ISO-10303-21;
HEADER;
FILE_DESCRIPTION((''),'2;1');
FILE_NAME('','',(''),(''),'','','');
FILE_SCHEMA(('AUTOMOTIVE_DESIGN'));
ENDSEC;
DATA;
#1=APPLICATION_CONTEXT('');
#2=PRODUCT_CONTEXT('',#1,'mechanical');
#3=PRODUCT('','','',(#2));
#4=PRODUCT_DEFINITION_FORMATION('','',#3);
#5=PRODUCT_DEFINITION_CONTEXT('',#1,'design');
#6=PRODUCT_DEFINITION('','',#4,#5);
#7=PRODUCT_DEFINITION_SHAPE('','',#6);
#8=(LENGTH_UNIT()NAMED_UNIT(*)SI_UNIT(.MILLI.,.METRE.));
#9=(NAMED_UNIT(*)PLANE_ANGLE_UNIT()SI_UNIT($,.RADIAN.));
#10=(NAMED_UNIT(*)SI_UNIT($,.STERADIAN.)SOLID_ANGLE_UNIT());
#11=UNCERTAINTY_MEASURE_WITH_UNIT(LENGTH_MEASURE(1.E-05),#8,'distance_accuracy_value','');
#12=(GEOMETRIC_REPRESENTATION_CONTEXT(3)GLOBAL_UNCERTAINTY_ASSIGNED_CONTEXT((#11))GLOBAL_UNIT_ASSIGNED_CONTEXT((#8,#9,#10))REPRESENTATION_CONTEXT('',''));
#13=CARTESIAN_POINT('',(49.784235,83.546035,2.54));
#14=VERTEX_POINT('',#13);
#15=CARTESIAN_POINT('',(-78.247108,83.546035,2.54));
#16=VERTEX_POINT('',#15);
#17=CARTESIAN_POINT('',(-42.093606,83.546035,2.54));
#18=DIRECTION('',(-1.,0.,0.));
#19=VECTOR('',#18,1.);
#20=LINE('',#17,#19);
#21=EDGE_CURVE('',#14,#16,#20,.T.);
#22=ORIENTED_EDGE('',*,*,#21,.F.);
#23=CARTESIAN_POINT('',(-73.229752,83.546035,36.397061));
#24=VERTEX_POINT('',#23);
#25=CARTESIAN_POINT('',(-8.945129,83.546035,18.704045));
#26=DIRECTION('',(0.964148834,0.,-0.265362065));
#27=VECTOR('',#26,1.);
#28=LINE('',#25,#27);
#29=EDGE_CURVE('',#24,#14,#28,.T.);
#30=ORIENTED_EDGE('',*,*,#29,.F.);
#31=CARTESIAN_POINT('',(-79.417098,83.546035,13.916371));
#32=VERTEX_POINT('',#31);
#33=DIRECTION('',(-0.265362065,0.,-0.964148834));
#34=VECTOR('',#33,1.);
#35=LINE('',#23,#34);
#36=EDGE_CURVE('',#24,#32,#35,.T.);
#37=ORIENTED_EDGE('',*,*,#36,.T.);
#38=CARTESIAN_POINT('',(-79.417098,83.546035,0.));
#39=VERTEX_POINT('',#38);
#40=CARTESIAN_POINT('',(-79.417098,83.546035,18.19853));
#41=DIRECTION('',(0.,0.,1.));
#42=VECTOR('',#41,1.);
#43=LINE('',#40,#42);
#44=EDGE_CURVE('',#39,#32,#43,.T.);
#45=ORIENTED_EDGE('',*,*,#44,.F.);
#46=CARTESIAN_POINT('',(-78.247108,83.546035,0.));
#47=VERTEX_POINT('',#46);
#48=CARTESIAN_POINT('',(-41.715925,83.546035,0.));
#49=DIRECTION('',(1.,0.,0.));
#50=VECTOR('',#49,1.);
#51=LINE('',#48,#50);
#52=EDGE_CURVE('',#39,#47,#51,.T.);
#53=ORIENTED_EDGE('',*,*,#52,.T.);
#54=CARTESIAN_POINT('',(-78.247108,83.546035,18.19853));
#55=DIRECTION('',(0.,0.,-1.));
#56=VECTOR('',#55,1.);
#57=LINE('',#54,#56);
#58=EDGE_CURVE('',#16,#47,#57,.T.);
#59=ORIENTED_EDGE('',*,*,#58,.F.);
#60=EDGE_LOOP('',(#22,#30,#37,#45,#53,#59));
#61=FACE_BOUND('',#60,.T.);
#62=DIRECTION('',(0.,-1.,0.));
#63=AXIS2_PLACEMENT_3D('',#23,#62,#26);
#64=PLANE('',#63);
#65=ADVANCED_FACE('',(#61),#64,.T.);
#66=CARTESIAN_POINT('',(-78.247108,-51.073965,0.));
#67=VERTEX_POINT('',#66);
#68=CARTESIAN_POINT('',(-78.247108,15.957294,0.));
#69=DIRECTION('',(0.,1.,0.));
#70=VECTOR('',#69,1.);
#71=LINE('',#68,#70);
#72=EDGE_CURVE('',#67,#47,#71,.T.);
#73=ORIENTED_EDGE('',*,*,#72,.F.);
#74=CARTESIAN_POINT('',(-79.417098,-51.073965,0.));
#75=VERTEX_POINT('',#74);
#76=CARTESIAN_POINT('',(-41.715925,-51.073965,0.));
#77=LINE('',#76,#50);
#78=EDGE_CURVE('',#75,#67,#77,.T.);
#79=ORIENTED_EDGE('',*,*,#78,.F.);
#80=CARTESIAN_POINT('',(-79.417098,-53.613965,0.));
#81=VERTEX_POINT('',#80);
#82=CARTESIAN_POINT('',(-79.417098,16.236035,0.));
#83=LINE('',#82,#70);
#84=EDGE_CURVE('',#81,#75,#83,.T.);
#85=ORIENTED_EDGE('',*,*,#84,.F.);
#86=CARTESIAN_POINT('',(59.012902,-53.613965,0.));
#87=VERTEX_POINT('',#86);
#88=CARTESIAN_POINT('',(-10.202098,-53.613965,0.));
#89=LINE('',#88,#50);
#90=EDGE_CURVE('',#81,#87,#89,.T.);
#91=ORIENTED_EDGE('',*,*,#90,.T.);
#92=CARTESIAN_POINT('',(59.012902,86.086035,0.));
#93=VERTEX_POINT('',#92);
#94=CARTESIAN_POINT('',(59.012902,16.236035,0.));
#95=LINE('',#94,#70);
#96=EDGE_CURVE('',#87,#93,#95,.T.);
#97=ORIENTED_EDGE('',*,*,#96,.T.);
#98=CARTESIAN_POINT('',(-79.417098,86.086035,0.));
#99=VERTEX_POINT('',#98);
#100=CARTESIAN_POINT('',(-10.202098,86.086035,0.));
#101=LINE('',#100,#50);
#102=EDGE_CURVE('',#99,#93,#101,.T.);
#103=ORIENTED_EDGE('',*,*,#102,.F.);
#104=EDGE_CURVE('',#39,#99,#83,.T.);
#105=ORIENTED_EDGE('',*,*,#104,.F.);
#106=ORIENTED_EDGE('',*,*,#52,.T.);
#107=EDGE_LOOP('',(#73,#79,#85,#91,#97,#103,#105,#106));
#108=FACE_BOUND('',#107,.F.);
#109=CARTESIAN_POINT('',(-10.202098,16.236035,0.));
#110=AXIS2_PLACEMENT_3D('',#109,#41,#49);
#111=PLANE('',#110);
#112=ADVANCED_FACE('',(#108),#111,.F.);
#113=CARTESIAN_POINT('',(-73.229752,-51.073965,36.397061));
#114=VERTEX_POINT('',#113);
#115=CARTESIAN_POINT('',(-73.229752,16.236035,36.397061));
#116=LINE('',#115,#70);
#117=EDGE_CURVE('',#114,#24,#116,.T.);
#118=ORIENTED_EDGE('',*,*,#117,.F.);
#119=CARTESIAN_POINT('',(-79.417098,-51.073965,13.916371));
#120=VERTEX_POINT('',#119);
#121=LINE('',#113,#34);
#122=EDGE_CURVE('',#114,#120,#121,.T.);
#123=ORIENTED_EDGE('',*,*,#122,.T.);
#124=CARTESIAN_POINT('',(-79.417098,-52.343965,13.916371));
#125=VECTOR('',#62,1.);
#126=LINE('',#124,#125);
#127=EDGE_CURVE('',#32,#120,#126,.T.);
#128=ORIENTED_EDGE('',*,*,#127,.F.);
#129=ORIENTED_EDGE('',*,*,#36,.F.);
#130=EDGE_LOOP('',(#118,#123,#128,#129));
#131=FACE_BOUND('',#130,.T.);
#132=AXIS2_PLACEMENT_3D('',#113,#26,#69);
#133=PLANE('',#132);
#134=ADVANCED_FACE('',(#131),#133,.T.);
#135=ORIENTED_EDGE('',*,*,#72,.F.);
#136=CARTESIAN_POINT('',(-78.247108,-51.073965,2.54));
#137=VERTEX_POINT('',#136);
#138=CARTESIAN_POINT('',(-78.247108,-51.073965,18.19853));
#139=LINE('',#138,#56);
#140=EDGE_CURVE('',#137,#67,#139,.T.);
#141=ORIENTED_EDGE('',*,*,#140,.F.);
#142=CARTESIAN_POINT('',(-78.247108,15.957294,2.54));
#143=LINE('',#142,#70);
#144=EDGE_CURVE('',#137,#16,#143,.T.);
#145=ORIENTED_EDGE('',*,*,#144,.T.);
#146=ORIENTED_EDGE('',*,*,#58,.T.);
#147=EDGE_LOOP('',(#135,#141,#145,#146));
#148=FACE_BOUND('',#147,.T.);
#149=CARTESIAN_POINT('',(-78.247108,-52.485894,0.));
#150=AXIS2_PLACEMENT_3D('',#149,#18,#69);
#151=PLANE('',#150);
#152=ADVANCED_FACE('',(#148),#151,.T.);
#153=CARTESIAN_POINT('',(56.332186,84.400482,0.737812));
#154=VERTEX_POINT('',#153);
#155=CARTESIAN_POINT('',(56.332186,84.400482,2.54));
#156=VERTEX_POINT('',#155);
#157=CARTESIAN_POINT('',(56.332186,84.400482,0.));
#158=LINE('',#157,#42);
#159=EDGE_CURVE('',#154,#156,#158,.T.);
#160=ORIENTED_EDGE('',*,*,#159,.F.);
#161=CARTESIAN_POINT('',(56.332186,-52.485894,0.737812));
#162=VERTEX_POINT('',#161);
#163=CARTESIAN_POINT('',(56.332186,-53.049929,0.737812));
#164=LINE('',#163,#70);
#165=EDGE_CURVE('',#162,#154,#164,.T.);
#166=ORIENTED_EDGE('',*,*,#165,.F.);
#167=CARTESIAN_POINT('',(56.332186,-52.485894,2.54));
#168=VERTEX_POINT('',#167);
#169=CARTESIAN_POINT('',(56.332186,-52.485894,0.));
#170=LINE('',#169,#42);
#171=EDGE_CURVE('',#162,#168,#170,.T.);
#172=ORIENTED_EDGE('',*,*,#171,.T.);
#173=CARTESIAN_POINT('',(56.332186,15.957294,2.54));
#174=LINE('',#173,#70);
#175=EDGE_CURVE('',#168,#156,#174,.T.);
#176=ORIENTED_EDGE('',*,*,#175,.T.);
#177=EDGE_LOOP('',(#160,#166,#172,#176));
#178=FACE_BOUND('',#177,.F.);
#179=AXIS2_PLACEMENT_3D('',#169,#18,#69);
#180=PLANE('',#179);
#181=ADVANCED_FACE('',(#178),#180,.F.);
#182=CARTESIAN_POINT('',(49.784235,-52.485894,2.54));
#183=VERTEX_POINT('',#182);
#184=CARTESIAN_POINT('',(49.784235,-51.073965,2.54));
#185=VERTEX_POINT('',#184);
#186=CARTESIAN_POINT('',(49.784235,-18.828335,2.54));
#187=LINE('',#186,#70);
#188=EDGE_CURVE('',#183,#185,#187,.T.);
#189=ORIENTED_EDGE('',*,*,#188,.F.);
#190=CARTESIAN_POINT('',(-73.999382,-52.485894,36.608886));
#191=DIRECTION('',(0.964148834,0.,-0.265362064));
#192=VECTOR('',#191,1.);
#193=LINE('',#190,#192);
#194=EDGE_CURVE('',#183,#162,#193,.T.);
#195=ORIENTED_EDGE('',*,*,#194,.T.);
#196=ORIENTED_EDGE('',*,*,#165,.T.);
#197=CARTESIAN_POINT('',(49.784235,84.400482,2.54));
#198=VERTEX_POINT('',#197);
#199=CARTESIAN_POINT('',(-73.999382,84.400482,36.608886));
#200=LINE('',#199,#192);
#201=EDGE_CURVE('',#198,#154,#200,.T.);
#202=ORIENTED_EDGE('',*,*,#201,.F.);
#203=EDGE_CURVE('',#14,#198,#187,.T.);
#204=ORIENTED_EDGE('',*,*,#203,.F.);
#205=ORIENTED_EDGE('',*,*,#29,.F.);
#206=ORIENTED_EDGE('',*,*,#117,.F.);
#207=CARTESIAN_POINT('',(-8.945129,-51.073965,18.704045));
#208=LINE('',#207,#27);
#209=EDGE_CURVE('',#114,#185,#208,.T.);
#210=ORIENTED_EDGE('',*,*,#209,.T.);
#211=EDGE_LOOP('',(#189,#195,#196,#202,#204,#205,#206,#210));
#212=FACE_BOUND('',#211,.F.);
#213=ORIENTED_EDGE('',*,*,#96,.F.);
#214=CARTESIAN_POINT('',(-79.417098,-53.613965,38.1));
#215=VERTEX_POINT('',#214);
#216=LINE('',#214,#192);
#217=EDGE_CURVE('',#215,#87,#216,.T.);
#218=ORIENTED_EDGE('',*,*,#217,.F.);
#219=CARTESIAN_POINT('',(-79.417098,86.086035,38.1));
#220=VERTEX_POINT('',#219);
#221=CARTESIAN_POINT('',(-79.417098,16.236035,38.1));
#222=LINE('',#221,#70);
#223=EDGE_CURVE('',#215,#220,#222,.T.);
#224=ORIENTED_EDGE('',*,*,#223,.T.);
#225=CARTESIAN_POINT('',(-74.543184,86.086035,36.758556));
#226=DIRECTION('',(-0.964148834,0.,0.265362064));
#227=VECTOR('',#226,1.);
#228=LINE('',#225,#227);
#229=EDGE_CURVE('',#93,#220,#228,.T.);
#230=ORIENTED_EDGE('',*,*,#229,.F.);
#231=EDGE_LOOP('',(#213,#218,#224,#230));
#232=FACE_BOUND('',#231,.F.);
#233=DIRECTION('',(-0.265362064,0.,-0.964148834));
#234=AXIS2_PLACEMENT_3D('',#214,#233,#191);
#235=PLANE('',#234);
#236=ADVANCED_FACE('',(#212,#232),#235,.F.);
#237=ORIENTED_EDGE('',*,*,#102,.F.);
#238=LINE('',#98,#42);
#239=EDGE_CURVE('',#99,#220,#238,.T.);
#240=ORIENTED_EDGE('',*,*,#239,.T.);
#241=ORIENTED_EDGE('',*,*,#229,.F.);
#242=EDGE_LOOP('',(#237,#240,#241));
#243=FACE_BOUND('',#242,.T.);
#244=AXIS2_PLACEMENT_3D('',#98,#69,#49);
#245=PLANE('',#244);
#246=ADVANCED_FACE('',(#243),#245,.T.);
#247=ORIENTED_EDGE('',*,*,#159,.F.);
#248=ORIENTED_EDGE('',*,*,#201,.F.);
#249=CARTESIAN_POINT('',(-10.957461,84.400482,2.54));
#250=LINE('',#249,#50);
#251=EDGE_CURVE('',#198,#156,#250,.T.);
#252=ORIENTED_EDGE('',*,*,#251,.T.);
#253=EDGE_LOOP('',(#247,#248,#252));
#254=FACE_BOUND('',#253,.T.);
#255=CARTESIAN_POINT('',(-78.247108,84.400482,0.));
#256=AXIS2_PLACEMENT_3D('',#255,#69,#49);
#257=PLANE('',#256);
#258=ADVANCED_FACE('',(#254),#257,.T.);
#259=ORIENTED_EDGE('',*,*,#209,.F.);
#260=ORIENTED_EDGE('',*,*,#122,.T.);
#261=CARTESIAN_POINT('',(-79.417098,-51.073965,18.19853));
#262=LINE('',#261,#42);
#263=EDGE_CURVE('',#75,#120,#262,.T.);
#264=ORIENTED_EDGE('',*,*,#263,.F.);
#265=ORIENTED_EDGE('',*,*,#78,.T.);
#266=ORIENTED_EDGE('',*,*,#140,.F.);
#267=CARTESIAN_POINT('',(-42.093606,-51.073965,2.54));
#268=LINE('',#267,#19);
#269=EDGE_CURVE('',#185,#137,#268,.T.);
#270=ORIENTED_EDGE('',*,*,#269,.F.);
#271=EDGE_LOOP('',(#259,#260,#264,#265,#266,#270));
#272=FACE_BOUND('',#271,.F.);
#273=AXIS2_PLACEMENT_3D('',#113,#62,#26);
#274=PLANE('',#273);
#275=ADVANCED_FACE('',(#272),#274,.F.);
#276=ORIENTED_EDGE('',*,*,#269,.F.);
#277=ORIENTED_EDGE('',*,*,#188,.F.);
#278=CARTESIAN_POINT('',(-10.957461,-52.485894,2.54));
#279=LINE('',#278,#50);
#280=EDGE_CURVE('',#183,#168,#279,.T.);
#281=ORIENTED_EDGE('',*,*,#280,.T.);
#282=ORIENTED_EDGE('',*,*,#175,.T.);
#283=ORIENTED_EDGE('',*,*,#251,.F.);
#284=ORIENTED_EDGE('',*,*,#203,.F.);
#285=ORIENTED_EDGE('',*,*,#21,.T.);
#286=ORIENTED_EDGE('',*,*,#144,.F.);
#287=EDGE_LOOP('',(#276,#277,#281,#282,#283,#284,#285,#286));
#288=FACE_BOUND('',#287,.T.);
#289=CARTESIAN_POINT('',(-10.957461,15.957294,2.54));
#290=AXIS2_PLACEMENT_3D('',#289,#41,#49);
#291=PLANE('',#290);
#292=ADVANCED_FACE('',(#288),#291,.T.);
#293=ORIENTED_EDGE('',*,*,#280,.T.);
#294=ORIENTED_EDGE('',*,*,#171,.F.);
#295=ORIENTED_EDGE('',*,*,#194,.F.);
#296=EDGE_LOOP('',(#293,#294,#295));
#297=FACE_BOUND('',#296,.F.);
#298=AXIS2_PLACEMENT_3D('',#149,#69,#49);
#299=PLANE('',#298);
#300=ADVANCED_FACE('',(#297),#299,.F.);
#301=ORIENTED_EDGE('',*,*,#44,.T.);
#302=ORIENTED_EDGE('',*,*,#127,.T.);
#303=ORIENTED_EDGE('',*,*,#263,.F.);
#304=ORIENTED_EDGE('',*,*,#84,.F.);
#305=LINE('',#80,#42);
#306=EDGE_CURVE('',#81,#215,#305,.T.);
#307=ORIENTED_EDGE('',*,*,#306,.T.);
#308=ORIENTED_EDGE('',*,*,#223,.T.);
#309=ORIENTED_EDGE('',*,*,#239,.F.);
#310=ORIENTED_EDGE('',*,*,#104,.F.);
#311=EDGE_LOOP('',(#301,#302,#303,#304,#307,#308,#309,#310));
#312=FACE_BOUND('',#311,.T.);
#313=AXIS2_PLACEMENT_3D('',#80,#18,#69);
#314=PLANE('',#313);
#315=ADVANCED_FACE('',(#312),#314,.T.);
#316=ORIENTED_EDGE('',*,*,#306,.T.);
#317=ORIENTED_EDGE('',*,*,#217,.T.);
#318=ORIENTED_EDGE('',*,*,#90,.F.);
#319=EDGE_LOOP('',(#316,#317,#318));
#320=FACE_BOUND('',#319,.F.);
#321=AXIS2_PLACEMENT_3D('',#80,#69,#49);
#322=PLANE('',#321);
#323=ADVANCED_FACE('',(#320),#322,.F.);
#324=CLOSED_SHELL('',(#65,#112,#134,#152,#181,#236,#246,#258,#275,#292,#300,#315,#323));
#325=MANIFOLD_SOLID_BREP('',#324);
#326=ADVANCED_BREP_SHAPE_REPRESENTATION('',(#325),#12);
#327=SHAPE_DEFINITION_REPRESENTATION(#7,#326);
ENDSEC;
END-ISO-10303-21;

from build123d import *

# Parameters (mm, degrees)
F0_W     = 138.43
F0_H     = 139.7
F1_DEPTH = 38.1
F3_DEPTH = 139.701
F4_W     = 133.35
F4_H     = 134.62
F5_DEPTH = 36.7350705877
F6_W     = 134.5792934299
F6_H     = 136.8863768876
F7_DEPTH = 2.54


with BuildPart() as f1:
    # F0 (on Top) → F1 (new body)
    with BuildSketch(Plane.XY):
        with Locations((-10.2020979563, 16.2360354245)):
            Rectangle(F0_W, F0_H)
    extrude(amount=F1_DEPTH)

    # F2 (on face) → F3 (cut, through all)
    with BuildSketch(Plane.XZ.offset(53.6139645755)):
        Polygon((59.0129020437, 38.1), (-79.4170979563, 38.1), (59.0129020437, 0), align=None)
    extrude(amount=-F3_DEPTH, mode=Mode.SUBTRACT)

    # F4 (on face) → F5 (cut, through all)
    with BuildSketch(Plane(origin=(4.1555130146, 0, 15.098363953), x_dir=(0.9641488343, 0, -0.2653620645), z_dir=(0.2653620645, 0, 0.9641488343))):
        with Locations((-13.5877792845, 16.2360354245)):
            Rectangle(F4_W, F4_H)
    extrude(amount=-F5_DEPTH, mode=Mode.SUBTRACT)

    # F6 (on Top) → F7 (join)
    with BuildSketch(Plane.XY):
        with Locations((-10.9574608505, 15.957294032)):
            Rectangle(F6_W, F6_H)
    extrude(amount=F7_DEPTH)


solid = f1.part
